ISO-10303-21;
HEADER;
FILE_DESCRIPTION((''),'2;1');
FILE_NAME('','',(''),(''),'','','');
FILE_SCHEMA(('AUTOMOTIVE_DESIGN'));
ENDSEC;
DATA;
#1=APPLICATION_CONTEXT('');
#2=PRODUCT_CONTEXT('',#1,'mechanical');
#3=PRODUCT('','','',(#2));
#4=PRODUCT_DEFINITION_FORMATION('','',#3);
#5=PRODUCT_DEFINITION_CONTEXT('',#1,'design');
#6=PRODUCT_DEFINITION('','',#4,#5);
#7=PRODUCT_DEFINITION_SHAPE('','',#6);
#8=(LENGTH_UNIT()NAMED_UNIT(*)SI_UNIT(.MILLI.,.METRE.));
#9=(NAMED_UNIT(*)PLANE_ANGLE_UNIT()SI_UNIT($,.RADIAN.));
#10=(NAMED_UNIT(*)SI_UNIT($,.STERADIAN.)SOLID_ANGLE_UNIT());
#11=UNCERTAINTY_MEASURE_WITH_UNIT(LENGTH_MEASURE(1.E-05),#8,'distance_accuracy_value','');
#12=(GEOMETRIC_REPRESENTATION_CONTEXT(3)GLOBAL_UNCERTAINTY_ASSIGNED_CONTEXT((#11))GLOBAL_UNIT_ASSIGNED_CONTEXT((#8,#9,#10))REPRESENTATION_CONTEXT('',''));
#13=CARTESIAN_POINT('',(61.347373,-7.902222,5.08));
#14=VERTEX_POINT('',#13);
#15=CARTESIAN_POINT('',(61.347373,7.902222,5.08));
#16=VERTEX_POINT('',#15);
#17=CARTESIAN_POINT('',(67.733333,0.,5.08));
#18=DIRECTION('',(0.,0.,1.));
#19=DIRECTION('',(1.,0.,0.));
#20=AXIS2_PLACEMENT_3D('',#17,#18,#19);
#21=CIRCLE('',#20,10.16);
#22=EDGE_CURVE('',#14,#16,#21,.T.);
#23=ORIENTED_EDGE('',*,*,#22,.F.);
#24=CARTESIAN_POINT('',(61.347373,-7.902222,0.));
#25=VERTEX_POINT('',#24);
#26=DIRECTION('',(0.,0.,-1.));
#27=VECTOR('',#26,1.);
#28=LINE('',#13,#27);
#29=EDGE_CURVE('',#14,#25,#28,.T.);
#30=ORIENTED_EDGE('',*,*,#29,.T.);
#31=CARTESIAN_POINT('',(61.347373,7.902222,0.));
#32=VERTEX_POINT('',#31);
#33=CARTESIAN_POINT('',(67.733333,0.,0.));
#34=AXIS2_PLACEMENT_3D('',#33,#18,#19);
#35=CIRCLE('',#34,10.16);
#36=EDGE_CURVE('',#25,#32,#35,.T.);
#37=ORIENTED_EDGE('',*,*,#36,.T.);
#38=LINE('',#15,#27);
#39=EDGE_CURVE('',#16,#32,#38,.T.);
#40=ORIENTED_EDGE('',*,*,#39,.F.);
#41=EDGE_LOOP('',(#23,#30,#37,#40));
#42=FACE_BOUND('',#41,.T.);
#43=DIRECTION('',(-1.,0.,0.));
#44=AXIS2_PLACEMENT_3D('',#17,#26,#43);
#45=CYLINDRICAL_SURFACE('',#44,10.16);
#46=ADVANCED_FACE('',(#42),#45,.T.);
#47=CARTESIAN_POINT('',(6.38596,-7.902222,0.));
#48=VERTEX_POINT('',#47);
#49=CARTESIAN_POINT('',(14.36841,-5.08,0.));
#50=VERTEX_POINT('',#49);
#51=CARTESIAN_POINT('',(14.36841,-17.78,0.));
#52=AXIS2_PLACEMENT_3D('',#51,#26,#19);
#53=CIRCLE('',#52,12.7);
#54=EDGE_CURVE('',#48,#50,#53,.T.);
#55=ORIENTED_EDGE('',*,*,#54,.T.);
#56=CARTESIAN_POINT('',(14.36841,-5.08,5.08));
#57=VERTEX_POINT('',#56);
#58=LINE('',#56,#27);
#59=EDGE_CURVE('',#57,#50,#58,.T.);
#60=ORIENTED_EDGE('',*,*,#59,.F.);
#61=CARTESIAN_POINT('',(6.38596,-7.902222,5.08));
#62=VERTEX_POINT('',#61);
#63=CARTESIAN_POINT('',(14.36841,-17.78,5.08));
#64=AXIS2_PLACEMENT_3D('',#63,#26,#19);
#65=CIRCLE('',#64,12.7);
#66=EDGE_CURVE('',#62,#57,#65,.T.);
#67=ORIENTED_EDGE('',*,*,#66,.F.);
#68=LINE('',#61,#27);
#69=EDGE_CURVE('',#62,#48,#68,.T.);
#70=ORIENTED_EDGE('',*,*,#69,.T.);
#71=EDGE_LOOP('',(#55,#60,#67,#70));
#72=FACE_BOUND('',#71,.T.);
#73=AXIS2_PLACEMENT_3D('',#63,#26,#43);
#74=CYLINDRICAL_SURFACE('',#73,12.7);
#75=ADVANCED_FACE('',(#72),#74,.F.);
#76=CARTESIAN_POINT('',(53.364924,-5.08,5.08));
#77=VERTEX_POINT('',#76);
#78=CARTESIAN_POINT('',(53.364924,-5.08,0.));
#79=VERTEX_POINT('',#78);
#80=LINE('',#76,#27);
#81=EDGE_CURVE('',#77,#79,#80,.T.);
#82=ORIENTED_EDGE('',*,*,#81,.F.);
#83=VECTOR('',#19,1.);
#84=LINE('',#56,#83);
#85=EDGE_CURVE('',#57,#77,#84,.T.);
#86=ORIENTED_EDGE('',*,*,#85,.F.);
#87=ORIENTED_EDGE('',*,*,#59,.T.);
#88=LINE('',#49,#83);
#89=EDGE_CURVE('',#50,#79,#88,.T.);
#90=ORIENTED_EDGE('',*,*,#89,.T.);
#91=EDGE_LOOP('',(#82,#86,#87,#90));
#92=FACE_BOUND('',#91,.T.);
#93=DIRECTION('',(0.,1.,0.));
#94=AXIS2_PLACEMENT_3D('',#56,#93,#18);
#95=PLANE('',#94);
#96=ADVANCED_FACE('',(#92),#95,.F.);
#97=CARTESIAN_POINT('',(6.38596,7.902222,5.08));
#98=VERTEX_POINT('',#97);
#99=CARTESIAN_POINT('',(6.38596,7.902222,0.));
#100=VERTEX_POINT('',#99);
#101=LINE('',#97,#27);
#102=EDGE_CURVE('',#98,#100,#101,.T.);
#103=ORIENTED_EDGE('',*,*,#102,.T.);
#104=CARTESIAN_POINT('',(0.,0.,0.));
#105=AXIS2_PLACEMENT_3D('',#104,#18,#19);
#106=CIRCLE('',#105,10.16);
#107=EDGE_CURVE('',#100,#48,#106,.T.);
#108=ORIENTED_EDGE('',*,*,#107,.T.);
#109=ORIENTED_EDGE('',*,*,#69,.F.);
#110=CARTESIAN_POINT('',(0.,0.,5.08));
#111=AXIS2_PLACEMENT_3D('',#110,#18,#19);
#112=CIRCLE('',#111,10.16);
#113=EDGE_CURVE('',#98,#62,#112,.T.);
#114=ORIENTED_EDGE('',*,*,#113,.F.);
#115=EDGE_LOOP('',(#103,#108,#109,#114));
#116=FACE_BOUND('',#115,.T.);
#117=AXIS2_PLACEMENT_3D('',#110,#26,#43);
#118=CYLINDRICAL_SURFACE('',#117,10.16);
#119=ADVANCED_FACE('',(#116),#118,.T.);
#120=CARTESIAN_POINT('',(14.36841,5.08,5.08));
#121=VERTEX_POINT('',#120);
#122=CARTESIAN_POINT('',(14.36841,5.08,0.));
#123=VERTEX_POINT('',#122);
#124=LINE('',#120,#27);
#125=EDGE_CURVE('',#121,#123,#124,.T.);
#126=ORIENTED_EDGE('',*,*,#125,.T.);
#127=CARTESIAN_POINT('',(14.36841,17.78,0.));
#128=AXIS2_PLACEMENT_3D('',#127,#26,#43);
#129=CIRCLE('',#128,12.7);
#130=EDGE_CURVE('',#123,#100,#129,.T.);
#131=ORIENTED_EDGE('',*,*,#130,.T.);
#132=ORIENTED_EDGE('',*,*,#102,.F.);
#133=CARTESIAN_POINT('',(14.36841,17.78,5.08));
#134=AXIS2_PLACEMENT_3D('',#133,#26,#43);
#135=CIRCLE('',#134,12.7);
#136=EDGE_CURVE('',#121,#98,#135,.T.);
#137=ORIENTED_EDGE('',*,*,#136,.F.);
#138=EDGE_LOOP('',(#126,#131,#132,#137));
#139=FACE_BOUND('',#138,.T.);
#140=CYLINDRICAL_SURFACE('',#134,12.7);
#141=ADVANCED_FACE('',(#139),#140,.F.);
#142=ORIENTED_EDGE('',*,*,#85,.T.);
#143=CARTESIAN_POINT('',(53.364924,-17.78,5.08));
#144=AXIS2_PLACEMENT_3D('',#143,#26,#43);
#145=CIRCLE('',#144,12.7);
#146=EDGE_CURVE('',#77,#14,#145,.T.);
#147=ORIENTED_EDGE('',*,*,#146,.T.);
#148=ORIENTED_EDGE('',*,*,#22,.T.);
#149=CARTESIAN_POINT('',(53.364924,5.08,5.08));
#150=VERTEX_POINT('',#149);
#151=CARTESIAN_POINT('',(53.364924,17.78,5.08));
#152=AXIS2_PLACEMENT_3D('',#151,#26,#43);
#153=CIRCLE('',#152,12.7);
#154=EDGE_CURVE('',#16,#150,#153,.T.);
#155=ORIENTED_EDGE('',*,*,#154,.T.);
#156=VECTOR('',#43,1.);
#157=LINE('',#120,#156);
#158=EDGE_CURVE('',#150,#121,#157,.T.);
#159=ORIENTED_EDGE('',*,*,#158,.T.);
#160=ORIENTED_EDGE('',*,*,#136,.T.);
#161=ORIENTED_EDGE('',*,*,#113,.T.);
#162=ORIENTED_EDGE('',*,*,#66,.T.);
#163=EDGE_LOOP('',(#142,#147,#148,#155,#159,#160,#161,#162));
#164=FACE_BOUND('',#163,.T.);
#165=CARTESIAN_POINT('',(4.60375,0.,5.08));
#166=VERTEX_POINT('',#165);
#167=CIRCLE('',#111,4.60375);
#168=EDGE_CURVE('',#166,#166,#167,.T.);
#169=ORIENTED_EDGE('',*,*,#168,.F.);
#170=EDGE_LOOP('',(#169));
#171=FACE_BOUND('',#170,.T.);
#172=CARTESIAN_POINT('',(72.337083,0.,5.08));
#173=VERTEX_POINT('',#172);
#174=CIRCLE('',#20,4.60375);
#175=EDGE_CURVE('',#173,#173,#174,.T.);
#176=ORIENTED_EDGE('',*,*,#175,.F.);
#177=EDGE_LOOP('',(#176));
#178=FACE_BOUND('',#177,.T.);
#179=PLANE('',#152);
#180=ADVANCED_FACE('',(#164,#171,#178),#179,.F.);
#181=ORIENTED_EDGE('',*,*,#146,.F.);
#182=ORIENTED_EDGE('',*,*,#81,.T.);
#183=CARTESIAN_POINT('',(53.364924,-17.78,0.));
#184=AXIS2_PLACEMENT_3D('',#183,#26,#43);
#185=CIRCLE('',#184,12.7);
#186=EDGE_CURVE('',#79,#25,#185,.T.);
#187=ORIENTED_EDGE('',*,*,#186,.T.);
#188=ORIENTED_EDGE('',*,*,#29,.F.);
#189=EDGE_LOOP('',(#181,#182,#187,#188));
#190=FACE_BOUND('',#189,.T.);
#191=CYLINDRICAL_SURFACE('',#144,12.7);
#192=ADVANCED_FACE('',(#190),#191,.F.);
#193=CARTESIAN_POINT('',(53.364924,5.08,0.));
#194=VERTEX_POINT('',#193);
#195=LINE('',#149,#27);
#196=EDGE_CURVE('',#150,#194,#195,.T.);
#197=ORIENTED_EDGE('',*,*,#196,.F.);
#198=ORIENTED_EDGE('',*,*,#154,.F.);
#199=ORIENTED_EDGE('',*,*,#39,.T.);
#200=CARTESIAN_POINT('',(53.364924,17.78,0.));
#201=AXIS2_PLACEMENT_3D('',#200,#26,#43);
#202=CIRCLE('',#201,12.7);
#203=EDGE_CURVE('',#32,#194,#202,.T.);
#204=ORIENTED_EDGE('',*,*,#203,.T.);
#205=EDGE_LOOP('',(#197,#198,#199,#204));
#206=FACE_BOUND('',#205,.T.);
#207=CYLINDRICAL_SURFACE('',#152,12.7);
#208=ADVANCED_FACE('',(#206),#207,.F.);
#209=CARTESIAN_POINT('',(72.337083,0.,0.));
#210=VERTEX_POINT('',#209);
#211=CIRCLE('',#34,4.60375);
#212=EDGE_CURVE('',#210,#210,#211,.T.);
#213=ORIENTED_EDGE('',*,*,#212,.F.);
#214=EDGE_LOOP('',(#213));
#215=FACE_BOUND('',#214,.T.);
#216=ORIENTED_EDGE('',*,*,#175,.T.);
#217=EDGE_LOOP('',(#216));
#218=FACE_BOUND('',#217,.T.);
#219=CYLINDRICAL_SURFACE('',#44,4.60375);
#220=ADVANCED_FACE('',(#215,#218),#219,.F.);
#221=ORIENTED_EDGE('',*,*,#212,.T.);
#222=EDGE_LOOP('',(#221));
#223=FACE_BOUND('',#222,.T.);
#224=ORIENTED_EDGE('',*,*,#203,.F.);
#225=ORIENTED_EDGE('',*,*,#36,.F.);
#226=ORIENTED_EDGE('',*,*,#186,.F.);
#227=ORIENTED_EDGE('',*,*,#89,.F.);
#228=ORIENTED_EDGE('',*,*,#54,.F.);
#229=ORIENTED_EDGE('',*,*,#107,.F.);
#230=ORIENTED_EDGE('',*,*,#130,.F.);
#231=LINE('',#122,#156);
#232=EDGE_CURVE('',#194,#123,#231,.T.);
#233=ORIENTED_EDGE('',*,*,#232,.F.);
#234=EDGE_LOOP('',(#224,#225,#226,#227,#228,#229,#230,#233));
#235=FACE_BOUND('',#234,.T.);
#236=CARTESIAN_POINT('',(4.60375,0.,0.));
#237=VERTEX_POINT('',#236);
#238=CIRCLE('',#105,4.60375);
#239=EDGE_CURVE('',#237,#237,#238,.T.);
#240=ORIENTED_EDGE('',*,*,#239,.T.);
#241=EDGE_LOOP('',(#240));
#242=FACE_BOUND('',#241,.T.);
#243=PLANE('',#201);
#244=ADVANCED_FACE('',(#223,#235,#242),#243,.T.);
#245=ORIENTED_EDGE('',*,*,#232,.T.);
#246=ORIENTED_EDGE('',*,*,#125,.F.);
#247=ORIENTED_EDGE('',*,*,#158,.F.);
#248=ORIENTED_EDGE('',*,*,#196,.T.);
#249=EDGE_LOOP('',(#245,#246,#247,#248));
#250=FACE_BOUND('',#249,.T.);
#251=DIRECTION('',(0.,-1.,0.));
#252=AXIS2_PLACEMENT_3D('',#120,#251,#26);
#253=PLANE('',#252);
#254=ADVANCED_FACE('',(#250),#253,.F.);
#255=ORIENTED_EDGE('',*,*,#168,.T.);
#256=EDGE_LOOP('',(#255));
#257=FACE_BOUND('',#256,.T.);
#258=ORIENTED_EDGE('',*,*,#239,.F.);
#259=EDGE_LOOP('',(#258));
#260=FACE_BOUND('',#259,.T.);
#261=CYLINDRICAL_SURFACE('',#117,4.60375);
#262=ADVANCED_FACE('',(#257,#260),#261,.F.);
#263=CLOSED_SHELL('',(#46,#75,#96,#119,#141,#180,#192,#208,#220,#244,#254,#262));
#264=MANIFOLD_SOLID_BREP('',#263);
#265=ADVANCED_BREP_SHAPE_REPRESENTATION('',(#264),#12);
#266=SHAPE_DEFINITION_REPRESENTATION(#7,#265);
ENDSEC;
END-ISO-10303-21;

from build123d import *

# Parameters (mm, degrees)
SKETCH1_R           = 4.60375
BOSS_EXTRUDE1_DEPTH = 5.08


with BuildPart() as part:
    # Sketch1 → Boss-Extrude1 (new body)
    with BuildSketch(Plane.XY):
        with BuildLine():
            Line((14.368409794, 5.08), (53.36492354, 5.08))
            ThreePointArc((53.36492354, 5.08), (57.598256873, 5.806325172), (61.347373425, 7.902222222))
            ThreePointArc((61.347373425, 7.902222222), (77.893333333, 0), (61.347373425, -7.902222222))
            ThreePointArc((61.347373425, -7.902222222), (57.598256873, -5.806325172), (53.36492354, -5.08))
            Line((53.36492354, -5.08), (14.368409794, -5.08))
            ThreePointArc((14.368409794, -5.08), (10.13507646, -5.806325172), (6.385959908, -7.902222222))
            ThreePointArc((6.385959908, -7.902222222), (-10.16, 0), (6.385959908, 7.902222222))
            ThreePointArc((6.385959908, 7.902222222), (10.13507646, 5.806325172), (14.368409794, 5.08))
        make_face()
        Circle(SKETCH1_R, mode=Mode.SUBTRACT)
        with Locations((67.733333333, 0)):
            Circle(SKETCH1_R, mode=Mode.SUBTRACT)
    extrude(amount=BOSS_EXTRUDE1_DEPTH)


solid = part.part
